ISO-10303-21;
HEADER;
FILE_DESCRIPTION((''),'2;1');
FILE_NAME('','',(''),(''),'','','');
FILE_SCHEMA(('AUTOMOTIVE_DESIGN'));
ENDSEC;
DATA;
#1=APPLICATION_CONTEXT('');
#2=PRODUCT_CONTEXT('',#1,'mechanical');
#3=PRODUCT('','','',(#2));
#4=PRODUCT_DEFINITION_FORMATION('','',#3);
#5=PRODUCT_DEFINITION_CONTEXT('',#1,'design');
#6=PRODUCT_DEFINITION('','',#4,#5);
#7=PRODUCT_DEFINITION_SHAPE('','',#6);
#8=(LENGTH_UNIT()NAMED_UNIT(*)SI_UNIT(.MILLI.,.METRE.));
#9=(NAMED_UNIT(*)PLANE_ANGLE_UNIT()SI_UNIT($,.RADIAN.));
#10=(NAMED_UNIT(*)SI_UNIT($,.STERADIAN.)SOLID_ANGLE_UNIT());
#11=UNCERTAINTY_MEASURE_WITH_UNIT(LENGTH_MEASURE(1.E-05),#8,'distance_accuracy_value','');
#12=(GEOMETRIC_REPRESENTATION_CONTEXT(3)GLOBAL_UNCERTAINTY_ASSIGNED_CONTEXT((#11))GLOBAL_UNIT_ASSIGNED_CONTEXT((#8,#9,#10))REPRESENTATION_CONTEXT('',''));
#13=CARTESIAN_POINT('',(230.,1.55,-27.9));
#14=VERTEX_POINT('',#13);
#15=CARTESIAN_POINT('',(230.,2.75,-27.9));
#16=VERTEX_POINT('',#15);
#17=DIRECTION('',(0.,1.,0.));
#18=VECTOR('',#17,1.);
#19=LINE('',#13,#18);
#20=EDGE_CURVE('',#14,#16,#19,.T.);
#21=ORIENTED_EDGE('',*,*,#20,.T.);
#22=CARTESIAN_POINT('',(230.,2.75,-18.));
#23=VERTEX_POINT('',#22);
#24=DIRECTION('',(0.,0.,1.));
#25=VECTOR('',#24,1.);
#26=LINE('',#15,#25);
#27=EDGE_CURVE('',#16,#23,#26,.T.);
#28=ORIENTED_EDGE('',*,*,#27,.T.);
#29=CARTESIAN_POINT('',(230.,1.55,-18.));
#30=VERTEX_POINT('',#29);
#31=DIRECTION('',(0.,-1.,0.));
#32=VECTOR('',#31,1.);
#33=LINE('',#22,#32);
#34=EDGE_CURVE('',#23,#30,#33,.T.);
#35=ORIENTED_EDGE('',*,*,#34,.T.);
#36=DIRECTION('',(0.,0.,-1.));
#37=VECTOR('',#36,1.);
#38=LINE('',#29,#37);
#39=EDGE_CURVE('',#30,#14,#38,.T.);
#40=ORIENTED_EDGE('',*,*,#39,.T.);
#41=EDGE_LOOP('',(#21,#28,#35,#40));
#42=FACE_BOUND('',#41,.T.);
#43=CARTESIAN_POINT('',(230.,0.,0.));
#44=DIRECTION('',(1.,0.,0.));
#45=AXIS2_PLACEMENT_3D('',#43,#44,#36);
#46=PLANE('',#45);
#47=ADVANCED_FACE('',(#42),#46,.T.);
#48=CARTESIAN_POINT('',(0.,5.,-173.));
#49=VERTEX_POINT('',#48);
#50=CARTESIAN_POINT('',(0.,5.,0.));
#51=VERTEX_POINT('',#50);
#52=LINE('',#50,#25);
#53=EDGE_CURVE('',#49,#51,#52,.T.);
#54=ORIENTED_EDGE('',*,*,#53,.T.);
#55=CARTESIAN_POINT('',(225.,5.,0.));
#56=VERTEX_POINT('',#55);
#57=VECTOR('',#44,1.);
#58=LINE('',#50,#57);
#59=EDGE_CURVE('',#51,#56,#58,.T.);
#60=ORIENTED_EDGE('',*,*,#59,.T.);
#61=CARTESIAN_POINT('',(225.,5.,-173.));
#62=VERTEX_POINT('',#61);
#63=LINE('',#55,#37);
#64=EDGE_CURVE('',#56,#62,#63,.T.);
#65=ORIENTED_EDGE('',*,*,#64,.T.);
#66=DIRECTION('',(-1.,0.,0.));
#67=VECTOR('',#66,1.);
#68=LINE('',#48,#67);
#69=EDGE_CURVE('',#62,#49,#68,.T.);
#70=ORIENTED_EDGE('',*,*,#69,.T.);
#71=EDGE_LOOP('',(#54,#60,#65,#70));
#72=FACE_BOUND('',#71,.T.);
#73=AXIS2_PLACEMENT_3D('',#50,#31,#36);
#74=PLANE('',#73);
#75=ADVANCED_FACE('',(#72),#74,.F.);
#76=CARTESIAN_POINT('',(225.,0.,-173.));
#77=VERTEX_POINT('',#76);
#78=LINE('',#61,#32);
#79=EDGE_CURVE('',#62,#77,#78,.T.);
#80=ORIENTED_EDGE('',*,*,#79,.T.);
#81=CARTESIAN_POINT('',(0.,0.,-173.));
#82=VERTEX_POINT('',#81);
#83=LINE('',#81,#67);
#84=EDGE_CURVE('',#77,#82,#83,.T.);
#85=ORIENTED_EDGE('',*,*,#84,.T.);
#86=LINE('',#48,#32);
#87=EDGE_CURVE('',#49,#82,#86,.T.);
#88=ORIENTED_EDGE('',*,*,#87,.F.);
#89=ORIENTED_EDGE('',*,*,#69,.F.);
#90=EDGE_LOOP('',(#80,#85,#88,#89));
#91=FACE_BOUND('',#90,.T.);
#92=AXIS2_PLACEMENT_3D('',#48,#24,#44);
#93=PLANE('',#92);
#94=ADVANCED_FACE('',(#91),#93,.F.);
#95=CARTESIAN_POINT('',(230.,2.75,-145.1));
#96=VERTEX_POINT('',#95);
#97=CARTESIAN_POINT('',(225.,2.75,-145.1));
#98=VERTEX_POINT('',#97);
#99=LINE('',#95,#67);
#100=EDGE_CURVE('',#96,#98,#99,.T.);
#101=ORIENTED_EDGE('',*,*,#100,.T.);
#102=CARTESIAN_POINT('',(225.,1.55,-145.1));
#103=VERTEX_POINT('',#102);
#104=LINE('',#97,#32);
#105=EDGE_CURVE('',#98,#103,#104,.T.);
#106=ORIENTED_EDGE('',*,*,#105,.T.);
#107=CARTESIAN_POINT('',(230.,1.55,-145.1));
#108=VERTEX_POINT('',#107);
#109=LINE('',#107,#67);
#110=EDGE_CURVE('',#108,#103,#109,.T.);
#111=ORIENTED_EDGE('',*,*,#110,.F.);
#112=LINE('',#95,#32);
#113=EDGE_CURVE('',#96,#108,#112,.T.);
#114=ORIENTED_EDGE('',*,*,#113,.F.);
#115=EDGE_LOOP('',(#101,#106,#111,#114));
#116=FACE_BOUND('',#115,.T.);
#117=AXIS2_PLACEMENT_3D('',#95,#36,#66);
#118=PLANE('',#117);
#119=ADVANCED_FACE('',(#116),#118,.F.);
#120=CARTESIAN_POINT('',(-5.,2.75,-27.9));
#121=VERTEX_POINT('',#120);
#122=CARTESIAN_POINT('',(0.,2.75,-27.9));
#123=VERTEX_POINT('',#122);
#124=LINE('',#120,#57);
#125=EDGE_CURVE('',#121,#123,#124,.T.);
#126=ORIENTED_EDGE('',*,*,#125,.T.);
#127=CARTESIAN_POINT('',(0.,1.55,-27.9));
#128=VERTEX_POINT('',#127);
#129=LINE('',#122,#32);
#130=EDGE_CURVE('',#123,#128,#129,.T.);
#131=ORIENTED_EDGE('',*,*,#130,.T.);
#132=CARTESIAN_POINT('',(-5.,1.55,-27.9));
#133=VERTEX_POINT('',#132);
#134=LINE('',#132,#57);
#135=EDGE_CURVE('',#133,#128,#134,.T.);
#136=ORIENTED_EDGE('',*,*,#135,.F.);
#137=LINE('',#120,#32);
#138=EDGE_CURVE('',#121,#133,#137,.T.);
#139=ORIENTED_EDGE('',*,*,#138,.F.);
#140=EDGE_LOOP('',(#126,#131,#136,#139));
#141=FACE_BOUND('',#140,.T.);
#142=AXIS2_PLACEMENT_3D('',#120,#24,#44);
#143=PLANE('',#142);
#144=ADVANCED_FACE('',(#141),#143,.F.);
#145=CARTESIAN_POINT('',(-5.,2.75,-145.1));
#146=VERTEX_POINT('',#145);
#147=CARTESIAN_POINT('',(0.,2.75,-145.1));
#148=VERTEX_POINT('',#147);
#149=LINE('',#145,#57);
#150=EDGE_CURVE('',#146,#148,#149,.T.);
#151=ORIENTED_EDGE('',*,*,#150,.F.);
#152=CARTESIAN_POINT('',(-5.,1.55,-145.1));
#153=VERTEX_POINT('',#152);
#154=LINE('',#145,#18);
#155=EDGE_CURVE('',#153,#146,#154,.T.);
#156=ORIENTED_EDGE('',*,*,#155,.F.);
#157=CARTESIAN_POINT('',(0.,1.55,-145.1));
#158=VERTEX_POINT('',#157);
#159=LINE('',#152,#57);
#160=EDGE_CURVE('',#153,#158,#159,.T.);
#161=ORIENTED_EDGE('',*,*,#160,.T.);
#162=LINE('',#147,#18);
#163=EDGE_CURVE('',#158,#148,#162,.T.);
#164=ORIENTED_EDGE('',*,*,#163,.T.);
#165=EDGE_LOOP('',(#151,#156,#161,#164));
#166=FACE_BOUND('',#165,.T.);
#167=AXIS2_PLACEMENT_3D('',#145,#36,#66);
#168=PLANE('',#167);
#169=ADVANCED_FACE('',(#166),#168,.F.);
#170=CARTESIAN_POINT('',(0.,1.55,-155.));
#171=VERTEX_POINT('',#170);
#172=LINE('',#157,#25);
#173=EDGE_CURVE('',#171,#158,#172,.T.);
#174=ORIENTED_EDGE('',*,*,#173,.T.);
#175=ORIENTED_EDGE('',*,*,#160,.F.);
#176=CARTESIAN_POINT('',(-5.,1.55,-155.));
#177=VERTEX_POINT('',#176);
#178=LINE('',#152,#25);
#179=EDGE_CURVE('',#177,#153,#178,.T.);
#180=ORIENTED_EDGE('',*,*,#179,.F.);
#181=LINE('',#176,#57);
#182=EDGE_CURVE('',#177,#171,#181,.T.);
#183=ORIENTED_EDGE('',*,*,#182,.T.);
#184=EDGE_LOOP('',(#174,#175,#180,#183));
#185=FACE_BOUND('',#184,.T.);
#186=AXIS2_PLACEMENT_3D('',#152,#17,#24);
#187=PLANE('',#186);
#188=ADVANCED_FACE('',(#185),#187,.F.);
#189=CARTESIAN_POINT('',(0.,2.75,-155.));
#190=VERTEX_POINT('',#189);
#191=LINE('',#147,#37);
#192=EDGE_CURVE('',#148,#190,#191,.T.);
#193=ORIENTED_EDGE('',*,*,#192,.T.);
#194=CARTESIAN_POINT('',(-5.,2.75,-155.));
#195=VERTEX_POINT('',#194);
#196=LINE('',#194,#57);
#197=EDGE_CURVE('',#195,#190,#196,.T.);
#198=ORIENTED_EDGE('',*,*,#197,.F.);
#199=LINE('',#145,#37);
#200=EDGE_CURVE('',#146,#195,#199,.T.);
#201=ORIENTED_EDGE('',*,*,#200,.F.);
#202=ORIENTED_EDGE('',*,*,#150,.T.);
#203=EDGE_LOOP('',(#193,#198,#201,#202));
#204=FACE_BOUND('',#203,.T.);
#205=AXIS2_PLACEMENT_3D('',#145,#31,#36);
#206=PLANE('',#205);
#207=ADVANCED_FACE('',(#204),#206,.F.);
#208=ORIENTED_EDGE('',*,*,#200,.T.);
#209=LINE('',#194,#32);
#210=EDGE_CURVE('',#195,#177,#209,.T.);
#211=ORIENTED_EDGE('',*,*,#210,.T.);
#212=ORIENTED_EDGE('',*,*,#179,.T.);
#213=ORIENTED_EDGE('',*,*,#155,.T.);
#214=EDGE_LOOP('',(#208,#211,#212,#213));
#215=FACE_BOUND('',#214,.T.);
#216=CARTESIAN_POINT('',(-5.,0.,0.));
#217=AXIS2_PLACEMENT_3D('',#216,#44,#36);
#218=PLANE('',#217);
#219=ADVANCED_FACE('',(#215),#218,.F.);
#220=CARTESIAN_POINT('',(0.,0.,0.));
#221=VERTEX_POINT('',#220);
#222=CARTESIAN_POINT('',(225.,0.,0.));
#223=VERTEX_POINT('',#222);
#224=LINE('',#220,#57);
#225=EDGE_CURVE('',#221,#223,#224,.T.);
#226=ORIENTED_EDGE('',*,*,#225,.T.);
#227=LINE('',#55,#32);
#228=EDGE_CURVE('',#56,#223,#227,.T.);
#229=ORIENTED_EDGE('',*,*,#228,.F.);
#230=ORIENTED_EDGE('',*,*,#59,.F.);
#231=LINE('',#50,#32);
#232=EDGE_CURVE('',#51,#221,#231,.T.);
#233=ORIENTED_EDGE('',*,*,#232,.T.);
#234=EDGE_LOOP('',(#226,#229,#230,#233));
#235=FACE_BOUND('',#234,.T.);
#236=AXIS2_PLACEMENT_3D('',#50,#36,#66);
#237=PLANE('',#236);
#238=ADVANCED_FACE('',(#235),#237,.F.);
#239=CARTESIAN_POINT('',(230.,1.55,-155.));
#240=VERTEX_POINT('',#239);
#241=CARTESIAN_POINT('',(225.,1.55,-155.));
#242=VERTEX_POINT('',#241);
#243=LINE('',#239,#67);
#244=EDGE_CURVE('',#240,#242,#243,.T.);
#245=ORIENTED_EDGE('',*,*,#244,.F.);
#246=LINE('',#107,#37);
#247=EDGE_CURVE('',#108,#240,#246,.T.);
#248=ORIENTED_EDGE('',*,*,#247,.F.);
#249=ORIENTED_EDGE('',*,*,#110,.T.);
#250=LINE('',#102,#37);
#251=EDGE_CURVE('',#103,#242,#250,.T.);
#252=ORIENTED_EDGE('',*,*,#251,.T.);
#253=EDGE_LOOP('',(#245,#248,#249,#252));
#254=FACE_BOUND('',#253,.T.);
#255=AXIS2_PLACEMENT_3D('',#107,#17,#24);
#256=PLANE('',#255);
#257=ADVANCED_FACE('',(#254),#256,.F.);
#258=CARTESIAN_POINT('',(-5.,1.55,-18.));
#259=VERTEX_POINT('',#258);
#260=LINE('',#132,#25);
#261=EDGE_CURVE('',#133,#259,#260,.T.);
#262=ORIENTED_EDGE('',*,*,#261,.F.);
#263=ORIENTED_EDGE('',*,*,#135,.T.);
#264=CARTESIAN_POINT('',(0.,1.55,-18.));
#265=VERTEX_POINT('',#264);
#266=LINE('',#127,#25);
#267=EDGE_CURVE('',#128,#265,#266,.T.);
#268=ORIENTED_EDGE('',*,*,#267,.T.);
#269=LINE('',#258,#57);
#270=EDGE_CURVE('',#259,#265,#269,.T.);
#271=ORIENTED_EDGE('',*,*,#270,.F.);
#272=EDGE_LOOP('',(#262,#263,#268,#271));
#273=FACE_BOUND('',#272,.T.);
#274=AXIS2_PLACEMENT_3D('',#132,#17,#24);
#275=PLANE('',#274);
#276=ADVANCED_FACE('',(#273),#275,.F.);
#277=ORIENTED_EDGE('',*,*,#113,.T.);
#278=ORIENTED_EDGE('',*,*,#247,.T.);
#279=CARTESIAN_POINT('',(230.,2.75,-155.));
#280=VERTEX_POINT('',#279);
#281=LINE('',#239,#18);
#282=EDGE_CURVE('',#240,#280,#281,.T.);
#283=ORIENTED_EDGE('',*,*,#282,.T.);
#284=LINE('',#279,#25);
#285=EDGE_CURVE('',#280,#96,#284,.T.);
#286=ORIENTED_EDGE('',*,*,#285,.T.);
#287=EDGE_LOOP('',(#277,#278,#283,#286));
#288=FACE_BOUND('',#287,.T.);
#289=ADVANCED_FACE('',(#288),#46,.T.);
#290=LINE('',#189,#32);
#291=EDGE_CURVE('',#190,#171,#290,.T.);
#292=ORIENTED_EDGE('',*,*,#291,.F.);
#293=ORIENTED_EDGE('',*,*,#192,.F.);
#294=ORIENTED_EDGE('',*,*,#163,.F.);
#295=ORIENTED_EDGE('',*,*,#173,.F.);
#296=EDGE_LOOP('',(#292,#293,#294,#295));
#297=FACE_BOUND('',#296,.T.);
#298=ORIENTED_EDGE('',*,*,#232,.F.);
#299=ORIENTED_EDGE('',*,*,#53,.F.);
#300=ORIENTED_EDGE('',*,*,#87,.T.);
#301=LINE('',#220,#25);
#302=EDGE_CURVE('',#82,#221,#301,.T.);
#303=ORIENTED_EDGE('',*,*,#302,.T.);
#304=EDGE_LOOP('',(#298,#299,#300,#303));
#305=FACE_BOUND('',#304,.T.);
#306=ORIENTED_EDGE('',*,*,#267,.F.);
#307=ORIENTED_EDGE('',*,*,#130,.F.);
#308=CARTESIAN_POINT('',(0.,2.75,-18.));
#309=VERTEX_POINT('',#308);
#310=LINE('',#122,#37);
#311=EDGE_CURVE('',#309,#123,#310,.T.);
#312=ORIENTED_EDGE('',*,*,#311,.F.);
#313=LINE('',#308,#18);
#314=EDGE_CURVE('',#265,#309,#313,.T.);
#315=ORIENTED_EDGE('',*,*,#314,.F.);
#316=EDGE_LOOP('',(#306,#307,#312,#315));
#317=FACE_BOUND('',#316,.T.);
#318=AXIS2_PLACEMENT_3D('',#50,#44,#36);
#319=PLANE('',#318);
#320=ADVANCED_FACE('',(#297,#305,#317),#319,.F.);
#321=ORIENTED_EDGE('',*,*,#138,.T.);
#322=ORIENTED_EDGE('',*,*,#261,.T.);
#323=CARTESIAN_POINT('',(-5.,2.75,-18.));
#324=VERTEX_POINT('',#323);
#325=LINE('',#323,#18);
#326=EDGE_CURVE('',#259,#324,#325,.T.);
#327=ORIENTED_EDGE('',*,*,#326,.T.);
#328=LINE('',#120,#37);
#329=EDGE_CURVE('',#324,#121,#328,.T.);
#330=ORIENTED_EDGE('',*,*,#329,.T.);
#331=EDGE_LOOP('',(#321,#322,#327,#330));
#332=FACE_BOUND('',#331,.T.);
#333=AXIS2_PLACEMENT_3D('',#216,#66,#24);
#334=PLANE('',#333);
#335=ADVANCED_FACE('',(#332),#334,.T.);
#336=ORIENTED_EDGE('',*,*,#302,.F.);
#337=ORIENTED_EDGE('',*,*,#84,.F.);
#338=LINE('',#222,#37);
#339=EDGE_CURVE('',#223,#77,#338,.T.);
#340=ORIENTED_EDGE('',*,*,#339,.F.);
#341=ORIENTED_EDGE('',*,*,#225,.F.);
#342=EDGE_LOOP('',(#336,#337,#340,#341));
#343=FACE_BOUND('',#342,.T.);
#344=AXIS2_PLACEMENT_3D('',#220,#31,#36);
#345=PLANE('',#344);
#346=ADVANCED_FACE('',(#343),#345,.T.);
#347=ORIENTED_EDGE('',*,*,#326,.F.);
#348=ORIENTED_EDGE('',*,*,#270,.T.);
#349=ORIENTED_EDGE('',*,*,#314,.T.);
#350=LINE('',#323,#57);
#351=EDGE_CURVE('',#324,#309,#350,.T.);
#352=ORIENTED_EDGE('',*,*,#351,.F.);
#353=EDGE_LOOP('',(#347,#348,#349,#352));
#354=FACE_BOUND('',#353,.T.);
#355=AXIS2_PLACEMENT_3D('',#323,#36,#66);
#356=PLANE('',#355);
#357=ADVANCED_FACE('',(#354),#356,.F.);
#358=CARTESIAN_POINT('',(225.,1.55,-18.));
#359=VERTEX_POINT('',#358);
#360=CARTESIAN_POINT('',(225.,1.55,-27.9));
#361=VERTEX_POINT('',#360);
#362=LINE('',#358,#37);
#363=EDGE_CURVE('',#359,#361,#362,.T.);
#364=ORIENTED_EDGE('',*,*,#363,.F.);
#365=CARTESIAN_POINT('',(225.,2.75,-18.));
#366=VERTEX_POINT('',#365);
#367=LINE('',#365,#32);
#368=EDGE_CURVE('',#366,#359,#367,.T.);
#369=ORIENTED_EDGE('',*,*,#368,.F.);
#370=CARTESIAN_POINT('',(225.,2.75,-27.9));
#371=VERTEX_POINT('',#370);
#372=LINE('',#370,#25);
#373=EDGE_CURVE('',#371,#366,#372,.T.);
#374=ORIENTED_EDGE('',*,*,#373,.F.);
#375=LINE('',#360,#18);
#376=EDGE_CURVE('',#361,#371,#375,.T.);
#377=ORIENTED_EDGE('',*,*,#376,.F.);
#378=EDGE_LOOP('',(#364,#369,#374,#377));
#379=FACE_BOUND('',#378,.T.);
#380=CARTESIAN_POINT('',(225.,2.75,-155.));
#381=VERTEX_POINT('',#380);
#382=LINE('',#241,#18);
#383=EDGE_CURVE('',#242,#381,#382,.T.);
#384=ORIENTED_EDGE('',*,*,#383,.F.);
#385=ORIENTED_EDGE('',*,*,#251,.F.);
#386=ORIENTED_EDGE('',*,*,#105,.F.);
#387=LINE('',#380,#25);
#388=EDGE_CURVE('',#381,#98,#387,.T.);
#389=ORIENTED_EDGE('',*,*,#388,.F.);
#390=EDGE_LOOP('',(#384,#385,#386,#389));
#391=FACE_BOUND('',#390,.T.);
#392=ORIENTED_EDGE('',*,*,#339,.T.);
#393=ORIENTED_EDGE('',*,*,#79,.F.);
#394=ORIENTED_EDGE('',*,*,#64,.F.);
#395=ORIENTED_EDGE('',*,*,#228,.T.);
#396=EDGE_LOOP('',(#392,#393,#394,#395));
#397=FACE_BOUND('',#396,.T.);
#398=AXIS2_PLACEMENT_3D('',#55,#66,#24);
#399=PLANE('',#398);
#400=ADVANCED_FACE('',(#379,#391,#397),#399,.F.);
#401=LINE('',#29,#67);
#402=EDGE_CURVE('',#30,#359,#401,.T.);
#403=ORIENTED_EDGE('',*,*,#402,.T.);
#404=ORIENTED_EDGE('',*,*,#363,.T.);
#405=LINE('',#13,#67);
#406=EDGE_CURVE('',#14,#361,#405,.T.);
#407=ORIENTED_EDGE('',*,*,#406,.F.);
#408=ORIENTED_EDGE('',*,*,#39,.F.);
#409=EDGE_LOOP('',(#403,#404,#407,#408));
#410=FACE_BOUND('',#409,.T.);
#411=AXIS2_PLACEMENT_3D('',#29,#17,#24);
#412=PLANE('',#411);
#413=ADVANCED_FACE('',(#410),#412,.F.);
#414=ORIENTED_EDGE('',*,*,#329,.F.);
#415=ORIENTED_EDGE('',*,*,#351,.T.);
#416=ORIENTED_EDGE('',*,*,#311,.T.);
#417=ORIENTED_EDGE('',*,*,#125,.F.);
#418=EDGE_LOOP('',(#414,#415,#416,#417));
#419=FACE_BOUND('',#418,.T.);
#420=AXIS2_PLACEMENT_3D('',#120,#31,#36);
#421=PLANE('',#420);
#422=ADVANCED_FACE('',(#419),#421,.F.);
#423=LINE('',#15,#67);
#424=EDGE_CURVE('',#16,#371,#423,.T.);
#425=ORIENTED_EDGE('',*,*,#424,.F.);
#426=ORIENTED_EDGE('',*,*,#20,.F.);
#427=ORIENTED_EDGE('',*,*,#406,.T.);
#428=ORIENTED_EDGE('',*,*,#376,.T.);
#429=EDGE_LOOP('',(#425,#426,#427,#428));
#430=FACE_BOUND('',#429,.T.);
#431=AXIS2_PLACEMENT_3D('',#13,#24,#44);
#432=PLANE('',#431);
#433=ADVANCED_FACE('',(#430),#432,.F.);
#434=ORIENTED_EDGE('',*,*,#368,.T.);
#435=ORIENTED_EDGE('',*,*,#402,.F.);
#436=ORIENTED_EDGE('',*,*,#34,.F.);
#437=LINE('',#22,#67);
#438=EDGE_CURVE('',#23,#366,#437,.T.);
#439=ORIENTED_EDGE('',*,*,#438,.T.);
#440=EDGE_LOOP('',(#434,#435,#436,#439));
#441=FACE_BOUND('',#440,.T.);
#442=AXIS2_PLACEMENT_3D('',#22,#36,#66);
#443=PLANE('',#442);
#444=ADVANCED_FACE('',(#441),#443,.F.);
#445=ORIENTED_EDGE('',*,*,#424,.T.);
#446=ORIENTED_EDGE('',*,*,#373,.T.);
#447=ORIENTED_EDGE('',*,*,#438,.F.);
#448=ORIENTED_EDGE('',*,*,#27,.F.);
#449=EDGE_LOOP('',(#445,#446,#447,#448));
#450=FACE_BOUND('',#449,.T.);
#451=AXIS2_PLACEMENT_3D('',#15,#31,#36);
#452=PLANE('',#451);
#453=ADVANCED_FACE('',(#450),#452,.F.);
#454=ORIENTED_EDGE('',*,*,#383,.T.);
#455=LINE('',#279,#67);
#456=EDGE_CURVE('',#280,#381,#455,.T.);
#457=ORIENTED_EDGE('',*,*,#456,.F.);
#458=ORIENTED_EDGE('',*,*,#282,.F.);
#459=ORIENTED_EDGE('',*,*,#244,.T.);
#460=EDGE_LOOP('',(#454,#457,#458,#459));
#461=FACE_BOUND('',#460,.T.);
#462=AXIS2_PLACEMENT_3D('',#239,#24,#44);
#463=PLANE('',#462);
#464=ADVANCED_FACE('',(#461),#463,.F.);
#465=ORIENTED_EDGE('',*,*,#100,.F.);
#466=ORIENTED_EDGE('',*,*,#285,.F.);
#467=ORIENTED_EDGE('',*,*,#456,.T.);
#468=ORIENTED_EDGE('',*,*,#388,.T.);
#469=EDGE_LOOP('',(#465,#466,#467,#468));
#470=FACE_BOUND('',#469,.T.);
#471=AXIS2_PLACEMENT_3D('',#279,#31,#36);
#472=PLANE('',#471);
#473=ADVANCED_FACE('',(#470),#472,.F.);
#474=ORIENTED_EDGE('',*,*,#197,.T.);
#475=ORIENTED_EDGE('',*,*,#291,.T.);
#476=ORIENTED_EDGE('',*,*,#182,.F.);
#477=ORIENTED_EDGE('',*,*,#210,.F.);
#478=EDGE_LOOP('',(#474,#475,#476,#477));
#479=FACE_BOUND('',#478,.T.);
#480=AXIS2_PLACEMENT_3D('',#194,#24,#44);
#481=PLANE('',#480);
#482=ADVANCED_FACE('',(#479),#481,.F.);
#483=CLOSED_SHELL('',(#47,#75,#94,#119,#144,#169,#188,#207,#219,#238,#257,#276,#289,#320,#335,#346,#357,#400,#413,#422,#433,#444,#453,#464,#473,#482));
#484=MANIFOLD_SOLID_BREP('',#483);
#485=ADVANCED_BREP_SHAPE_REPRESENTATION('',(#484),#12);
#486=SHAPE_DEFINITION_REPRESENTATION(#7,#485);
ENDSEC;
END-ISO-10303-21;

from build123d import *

# Parameters (mm, degrees)
SKETCH1_W           = 225
SKETCH1_H           = 173
BOSS_EXTRUDE1_DEPTH = 5
SKETCH2_W           = 9.9
SKETCH2_H           = 1.2
BOSS_EXTRUDE2_DEPTH = 5
SKETCH3_W           = 9.9
SKETCH3_H           = 1.2
BOSS_EXTRUDE3_DEPTH = 5


with BuildPart() as part:
    # Sketch1 → Boss-Extrude1 (new body)
    with BuildSketch(Plane(origin=(0, 0, 0), x_dir=(1, 0, 0), z_dir=(0, 1, 0))):
        with Locations((112.5, 86.5)):
            Rectangle(SKETCH1_W, SKETCH1_H)
    extrude(amount=BOSS_EXTRUDE1_DEPTH)

    # Sketch2 → Boss-Extrude2 (add)
    with BuildSketch(Plane.ZY):
        with Locations((-150.05, 2.15)):
            Rectangle(SKETCH2_W, SKETCH2_H)
        with Locations((-22.95, 2.15)):
            Rectangle(SKETCH2_W, SKETCH2_H)
    extrude(amount=BOSS_EXTRUDE2_DEPTH)

    # Sketch3 → Boss-Extrude3 (add)
    with BuildSketch(Plane(origin=(225, 0, 0), x_dir=(0, 0, -1), z_dir=(1, 0, 0))):
        with Locations((22.95, 2.15)):
            Rectangle(SKETCH3_W, SKETCH3_H)
        with Locations((150.05, 2.15)):
            Rectangle(SKETCH3_W, SKETCH3_H)
    extrude(amount=BOSS_EXTRUDE3_DEPTH)


solid = part.part
